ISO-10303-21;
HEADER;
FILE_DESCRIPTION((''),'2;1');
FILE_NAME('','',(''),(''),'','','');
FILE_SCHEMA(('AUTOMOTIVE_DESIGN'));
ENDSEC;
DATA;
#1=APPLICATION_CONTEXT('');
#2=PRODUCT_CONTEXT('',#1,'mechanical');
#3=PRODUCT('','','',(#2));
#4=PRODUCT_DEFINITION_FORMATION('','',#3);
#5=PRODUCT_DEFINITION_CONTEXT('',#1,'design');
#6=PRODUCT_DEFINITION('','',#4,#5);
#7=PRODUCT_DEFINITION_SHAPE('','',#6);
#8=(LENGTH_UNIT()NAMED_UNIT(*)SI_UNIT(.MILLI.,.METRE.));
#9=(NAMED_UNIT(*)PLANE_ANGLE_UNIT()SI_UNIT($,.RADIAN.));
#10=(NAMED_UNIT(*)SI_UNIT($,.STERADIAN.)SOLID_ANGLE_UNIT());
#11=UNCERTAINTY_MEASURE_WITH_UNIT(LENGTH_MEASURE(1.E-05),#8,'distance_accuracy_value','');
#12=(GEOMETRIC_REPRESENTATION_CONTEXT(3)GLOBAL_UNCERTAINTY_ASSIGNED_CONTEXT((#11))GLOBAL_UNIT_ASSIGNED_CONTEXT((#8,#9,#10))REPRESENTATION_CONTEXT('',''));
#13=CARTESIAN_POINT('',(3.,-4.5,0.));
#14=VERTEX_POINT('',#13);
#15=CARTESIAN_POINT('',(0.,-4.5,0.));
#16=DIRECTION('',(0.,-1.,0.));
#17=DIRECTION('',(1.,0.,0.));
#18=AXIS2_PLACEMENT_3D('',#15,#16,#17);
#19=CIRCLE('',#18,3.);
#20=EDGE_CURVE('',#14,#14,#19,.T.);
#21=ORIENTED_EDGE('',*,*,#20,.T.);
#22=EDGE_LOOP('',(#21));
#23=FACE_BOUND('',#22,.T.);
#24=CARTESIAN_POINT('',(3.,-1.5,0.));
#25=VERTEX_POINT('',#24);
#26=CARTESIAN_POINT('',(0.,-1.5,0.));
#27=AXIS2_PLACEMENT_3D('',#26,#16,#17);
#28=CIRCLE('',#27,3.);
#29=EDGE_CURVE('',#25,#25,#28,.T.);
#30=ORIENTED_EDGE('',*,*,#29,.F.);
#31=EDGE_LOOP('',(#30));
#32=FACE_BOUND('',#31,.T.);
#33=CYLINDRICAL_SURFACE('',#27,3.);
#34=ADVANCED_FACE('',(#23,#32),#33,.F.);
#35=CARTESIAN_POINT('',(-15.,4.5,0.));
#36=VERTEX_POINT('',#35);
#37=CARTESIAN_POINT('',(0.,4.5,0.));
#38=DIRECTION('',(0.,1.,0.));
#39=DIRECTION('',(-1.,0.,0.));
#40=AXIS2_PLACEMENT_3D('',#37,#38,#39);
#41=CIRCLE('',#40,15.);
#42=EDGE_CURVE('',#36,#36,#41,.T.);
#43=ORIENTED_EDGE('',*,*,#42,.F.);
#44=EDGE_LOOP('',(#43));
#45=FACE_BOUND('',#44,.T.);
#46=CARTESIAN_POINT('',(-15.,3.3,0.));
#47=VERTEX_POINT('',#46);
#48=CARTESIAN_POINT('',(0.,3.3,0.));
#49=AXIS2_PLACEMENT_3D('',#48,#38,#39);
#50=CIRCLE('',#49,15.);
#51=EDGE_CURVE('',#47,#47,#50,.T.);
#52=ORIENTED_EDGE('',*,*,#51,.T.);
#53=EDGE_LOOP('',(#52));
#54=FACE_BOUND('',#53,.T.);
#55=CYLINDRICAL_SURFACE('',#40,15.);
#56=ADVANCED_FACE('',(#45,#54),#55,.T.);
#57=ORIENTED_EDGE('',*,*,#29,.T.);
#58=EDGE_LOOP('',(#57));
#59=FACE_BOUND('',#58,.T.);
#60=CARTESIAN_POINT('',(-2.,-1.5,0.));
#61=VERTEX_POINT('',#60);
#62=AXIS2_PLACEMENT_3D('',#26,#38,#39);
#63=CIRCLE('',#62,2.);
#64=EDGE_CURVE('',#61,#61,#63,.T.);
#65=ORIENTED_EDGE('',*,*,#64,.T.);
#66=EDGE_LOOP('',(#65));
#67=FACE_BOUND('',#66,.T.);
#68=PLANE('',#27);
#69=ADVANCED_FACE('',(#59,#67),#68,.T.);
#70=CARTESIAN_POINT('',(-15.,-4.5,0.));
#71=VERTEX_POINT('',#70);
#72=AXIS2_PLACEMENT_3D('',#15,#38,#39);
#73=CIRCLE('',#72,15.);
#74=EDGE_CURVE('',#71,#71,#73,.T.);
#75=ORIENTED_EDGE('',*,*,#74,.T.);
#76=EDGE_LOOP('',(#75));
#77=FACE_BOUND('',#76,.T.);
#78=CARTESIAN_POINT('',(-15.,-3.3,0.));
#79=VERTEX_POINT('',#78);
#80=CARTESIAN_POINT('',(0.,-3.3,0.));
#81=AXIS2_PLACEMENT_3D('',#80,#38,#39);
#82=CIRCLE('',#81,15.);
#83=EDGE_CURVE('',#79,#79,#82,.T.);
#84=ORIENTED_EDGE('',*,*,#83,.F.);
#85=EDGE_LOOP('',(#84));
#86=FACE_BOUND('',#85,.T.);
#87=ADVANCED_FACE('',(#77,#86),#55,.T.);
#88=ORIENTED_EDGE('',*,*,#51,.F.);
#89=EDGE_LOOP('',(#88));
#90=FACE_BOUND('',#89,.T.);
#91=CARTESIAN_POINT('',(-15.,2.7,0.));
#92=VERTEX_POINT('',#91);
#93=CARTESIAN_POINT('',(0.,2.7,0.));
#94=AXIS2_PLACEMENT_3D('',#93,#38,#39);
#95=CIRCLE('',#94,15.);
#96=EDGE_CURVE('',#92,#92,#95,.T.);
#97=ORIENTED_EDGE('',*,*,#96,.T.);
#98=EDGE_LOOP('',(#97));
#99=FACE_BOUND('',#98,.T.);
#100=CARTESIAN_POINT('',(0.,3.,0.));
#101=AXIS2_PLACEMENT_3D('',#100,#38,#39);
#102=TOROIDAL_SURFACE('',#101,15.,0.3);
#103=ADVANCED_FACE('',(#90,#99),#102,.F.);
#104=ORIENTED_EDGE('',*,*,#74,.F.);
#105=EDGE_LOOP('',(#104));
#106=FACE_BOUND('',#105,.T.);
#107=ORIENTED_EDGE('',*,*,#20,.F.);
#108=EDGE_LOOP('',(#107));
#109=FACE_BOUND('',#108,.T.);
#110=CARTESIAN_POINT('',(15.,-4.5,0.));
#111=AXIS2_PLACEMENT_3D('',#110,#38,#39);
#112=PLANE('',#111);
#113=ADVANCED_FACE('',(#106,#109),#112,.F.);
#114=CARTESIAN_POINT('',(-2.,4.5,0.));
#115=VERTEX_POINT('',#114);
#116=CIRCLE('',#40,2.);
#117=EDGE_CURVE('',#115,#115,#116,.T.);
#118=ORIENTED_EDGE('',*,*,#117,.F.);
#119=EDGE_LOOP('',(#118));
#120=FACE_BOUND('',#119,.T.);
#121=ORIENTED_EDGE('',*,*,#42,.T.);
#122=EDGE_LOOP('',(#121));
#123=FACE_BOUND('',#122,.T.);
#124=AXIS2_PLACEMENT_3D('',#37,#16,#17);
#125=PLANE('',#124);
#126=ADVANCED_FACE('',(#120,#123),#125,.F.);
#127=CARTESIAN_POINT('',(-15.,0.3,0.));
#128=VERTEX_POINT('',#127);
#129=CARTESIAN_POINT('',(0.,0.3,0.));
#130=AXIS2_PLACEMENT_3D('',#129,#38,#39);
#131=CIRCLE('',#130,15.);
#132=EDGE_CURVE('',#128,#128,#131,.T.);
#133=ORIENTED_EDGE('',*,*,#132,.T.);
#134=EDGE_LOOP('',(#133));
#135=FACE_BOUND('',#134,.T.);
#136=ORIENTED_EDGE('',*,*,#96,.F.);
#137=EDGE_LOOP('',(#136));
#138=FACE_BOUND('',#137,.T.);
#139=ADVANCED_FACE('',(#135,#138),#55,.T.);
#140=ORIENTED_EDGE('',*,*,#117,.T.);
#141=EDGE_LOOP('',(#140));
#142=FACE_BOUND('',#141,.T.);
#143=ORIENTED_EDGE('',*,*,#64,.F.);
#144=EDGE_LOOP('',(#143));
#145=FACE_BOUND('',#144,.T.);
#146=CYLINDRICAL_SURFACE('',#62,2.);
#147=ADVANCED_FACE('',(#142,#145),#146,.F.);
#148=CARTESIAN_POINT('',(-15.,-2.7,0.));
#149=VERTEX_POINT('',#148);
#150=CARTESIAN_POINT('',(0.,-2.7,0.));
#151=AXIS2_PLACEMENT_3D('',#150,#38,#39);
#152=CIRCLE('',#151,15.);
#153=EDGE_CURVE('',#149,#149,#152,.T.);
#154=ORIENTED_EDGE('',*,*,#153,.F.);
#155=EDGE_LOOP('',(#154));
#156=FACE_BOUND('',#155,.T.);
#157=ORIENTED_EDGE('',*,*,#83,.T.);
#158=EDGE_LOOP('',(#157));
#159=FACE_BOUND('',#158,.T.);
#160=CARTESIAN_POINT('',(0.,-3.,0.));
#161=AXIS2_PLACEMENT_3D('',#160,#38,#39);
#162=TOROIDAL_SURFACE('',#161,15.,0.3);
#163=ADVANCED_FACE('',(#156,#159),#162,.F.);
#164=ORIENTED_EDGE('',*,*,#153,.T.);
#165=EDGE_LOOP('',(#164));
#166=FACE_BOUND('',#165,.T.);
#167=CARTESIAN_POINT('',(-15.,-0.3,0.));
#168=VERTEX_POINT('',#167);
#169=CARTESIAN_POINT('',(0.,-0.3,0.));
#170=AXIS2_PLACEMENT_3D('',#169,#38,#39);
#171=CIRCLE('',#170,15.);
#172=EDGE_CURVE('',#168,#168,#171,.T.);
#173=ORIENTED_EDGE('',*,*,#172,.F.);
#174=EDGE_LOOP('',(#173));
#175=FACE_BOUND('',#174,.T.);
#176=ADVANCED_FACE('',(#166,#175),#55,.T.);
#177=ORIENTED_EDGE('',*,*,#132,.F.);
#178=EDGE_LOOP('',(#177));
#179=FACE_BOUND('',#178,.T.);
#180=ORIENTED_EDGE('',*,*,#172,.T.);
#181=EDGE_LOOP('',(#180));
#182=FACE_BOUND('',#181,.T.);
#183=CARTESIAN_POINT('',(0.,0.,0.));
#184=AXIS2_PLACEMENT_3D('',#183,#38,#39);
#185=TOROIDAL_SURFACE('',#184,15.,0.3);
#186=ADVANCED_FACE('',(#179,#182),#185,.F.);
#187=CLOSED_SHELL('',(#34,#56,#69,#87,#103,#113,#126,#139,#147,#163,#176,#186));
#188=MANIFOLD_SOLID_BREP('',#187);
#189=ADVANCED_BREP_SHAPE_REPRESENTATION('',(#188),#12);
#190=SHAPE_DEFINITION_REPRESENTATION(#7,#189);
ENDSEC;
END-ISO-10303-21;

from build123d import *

# Parameters (mm, degrees)
SKETCH2_R          = 2
CUT_EXTRUDE1_DEPTH = 6
SKETCH9_R          = 3
CUT_EXTRUDE2_DEPTH = 3


with BuildPart() as part:
    # Sketch1 → Revolve2 (revolve)
    with BuildSketch(Plane.XY, mode=Mode.PRIVATE) as revolve2_sk:
        with BuildLine():
            Line((0, 4.5), (0, -4.5))
            Line((0, -4.5), (15, -4.5))
            Line((15, -4.5), (15, -3.3))
            ThreePointArc((15, -3.3), (14.7, -3), (15, -2.7))
            Line((15, -2.7), (15, -0.3))
            ThreePointArc((15, -0.3), (14.7, 0), (15, 0.3))
            Line((15, 0.3), (15, 2.7))
            ThreePointArc((15, 2.7), (14.7, 3), (15, 3.3))
            Line((15, 3.3), (15, 4.5))
            Line((15, 4.5), (0, 4.5))
        make_face()
    revolve(revolve2_sk.sketch.rotate(Axis((0, 4.5, 0), (0, -1, 0)), 180), axis=Axis((0, 4.5, 0), (0, -1, 0)))

    # Sketch2 → Cut-Extrude1 (cut)
    with BuildSketch(Plane(origin=(0, 4.5, 0), x_dir=(1, 0, 0), z_dir=(0, 1, 0))):
        with Locations(Location((0, 0, 0), (0, 0, 180))):
            Circle(SKETCH2_R)
    extrude(amount=-CUT_EXTRUDE1_DEPTH, mode=Mode.SUBTRACT)

    # Sketch9 → Cut-Extrude2 (cut)
    with BuildSketch(Plane.XZ.offset(4.5)):
        Circle(SKETCH9_R)
    extrude(amount=-CUT_EXTRUDE2_DEPTH, mode=Mode.SUBTRACT)


solid = part.part
